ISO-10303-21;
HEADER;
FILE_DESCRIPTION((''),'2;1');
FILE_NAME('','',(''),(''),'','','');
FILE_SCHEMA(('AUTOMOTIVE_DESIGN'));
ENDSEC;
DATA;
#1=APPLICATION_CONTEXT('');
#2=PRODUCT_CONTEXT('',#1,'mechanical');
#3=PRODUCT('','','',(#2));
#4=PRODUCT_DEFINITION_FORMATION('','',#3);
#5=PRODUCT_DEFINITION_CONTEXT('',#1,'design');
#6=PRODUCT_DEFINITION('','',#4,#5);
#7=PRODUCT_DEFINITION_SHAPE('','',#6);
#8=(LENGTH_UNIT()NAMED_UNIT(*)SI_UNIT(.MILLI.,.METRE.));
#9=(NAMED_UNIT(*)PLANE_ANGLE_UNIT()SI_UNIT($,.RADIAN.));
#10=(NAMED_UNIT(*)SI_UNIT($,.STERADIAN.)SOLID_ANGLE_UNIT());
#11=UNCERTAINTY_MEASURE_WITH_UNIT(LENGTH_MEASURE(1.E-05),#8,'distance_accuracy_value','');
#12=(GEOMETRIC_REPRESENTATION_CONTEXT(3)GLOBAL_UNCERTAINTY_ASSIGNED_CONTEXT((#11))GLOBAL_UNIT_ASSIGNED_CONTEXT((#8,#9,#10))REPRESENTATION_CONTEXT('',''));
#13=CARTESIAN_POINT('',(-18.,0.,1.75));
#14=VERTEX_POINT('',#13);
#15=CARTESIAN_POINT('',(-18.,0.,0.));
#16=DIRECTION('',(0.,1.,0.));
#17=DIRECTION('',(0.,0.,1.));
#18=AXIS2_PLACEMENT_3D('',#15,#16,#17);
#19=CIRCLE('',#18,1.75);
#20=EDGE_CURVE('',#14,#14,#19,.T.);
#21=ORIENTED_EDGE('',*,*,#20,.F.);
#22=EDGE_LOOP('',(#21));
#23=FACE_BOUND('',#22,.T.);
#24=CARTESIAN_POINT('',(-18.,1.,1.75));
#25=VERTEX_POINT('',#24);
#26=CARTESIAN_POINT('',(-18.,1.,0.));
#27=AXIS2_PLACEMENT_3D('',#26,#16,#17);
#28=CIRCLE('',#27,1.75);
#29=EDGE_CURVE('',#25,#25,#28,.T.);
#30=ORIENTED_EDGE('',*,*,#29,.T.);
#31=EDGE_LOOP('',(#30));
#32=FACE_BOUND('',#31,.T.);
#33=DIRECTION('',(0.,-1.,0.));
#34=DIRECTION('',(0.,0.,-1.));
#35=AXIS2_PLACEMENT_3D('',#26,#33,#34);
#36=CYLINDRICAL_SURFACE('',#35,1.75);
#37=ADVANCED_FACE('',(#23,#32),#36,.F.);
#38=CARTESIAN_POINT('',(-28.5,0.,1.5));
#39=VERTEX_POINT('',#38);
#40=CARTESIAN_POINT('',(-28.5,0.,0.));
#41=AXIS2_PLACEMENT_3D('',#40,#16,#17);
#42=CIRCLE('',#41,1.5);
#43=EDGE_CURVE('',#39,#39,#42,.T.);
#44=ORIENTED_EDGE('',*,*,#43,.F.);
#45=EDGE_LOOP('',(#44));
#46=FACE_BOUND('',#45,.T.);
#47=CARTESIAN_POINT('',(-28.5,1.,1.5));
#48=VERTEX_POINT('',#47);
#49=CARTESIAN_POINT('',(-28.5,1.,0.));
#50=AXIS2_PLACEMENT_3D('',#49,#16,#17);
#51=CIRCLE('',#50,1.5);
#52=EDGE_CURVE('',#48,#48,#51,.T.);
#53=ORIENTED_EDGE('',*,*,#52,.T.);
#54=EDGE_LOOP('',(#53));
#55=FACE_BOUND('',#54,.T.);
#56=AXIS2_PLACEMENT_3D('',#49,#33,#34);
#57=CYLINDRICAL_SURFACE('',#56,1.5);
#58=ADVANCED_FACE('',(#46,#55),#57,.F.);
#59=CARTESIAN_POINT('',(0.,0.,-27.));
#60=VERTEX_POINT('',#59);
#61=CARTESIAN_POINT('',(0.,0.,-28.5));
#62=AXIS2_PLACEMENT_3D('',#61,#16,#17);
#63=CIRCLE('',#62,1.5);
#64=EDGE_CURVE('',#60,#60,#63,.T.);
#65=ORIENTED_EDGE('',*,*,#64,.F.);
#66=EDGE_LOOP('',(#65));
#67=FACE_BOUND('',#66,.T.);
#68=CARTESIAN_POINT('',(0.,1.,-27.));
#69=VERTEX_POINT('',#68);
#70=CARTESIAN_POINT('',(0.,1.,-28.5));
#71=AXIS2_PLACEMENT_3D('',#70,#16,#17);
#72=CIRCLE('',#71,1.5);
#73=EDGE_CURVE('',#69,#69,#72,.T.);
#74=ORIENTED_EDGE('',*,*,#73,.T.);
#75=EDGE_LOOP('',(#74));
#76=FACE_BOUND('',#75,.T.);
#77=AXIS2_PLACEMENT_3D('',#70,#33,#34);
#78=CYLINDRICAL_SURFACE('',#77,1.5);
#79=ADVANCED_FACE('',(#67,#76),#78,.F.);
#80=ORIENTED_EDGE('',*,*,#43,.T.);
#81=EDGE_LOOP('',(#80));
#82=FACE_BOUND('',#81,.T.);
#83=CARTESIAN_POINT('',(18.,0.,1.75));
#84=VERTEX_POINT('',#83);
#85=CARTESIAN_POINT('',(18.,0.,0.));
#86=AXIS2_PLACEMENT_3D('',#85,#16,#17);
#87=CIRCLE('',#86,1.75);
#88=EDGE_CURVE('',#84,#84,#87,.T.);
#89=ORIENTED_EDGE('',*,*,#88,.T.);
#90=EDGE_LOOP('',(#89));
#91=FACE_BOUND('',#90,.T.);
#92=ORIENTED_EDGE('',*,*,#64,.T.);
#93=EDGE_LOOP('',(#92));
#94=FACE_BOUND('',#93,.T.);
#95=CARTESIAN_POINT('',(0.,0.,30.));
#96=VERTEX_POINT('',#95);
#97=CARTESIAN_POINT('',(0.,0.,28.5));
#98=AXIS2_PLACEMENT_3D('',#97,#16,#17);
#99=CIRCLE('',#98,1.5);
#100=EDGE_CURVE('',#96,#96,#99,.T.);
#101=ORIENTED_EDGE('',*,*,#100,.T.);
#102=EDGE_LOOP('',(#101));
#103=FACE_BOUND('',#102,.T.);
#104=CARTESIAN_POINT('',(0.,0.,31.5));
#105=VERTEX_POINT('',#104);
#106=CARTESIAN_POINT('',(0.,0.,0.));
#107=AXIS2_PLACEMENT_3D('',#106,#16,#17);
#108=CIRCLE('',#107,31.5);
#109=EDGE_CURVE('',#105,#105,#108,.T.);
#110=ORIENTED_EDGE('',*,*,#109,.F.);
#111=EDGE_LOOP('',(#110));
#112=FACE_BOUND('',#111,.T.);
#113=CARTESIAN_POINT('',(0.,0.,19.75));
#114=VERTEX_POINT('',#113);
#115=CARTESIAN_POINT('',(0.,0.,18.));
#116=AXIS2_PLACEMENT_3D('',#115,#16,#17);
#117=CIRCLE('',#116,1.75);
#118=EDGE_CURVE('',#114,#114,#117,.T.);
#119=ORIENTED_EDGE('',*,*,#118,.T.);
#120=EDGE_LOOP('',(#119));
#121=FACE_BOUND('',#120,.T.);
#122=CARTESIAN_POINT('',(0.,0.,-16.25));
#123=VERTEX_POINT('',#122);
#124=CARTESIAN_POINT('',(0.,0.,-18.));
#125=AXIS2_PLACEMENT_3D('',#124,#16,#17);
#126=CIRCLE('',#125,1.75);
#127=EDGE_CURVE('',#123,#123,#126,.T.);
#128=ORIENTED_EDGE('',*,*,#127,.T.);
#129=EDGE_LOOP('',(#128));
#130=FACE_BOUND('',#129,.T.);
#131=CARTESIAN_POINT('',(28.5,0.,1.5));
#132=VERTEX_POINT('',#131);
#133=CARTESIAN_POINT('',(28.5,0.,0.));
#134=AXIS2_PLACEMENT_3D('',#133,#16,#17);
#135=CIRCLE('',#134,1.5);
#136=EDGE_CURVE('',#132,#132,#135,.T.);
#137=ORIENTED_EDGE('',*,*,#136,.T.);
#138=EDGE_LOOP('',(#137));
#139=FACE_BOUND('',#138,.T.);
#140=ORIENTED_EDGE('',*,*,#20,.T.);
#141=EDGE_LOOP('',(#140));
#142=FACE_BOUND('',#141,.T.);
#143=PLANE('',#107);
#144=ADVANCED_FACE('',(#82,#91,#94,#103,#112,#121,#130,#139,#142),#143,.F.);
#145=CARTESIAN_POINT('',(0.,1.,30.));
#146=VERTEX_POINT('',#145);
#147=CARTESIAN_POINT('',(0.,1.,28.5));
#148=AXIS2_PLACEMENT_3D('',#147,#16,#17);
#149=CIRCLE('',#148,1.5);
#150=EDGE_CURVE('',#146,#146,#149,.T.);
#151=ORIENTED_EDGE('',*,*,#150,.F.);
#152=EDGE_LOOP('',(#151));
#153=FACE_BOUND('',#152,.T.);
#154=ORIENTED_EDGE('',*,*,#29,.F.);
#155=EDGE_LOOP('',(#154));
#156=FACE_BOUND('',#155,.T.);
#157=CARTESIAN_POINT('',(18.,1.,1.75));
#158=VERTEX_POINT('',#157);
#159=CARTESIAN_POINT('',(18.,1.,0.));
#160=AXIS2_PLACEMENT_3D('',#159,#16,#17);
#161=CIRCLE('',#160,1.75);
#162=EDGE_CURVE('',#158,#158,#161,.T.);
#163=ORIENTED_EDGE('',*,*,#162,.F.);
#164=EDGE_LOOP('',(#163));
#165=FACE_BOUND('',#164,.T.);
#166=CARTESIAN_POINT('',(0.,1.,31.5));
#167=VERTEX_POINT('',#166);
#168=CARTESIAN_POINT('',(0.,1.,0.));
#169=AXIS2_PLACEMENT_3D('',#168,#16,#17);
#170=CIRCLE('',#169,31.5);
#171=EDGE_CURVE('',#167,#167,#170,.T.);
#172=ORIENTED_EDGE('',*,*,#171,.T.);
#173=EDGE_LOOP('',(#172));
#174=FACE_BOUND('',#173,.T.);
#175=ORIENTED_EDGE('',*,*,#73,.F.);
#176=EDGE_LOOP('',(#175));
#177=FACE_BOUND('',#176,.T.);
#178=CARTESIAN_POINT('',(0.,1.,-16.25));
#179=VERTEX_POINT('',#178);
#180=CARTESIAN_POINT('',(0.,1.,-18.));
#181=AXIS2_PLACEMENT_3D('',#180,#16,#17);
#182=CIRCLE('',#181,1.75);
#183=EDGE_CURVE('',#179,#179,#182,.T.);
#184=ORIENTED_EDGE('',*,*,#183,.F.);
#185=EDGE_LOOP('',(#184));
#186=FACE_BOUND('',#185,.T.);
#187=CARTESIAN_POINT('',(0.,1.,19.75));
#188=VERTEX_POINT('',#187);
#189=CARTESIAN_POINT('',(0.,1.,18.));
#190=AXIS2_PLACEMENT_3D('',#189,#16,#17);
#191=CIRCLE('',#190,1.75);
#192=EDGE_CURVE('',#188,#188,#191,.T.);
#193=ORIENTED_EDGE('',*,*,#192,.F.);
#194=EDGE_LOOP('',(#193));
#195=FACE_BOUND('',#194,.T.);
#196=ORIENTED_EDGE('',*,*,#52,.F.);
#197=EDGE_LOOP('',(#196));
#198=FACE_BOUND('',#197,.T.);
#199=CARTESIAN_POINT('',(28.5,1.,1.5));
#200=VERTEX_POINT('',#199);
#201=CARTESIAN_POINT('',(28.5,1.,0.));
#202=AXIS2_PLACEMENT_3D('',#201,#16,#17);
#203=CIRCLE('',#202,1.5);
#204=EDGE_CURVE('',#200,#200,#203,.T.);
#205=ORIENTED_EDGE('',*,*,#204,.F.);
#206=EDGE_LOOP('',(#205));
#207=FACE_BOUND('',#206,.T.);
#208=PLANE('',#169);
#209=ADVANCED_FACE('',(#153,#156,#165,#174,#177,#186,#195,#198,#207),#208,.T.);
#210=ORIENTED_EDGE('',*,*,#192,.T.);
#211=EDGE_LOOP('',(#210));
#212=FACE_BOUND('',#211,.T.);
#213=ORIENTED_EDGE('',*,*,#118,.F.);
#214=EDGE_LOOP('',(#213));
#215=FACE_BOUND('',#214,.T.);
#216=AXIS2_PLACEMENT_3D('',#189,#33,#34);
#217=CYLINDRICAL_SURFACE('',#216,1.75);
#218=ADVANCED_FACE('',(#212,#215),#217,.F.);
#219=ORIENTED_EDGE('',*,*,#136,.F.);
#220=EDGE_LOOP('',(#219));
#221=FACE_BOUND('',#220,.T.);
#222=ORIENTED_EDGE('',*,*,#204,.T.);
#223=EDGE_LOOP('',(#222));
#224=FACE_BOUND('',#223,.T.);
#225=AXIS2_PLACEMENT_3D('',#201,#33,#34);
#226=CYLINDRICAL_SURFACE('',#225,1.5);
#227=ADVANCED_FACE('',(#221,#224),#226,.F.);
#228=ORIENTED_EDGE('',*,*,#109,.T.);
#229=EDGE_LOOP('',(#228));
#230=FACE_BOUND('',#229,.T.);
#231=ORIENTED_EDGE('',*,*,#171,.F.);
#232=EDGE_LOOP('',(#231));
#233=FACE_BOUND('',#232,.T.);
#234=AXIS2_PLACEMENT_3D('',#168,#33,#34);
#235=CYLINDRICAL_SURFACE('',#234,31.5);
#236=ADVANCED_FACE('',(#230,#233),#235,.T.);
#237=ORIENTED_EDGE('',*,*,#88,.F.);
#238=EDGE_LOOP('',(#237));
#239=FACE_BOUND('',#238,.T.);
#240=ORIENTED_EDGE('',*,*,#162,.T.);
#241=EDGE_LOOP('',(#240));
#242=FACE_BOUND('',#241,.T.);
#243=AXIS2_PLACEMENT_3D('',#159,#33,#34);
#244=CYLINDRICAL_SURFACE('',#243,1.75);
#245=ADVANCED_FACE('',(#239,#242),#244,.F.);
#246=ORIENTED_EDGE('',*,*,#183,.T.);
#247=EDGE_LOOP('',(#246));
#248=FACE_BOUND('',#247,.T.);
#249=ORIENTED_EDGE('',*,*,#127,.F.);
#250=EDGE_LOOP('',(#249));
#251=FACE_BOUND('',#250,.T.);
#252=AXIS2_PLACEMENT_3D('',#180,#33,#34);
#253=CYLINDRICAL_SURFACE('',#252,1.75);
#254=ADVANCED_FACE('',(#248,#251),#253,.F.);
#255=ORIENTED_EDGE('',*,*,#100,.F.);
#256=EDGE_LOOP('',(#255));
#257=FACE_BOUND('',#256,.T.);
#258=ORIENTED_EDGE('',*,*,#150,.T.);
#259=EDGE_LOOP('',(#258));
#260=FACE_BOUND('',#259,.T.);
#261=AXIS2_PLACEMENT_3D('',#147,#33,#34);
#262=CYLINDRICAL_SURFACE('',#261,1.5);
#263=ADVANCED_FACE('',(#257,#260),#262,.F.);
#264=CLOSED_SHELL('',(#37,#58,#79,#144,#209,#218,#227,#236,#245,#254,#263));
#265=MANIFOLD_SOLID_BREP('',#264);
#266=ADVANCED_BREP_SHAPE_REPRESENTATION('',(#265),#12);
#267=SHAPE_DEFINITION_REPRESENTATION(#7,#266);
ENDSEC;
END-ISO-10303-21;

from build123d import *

# Parameters (mm, degrees)
SKETCH1_R           = 31.5
SKETCH1_R_2         = 1.75
SKETCH1_R_3         = 1.5
BOSS_EXTRUDE1_DEPTH = 1


with BuildPart() as part:
    # Sketch1 → Boss-Extrude1 (new body)
    with BuildSketch(Plane(origin=(0, 0, 0), x_dir=(1, 0, 0), z_dir=(0, 1, 0))):
        with Locations(Location((0, 0, 0), (0, 0, 270))):
            Circle(SKETCH1_R)
        with Locations(Location((-18, 0, 0), (0, 0, 270))):
            Circle(SKETCH1_R_2, mode=Mode.SUBTRACT)
        with Locations(Location((0, 18, 0), (0, 0, 270))):
            Circle(SKETCH1_R_2, mode=Mode.SUBTRACT)
        with Locations(Location((18, 0, 0), (0, 0, 270))):
            Circle(SKETCH1_R_2, mode=Mode.SUBTRACT)
        with Locations(Location((0, -18, 0), (0, 0, 270))):
            Circle(SKETCH1_R_2, mode=Mode.SUBTRACT)
        with Locations(Location((28.5, 0, 0), (0, 0, 270))):
            Circle(SKETCH1_R_3, mode=Mode.SUBTRACT)
        with Locations(Location((0, -28.5, 0), (0, 0, 270))):
            Circle(SKETCH1_R_3, mode=Mode.SUBTRACT)
        with Locations(Location((-28.5, 0, 0), (0, 0, 270))):
            Circle(SKETCH1_R_3, mode=Mode.SUBTRACT)
        with Locations(Location((0, 28.5, 0), (0, 0, 270))):
            Circle(SKETCH1_R_3, mode=Mode.SUBTRACT)
    extrude(amount=BOSS_EXTRUDE1_DEPTH)


solid = part.part
